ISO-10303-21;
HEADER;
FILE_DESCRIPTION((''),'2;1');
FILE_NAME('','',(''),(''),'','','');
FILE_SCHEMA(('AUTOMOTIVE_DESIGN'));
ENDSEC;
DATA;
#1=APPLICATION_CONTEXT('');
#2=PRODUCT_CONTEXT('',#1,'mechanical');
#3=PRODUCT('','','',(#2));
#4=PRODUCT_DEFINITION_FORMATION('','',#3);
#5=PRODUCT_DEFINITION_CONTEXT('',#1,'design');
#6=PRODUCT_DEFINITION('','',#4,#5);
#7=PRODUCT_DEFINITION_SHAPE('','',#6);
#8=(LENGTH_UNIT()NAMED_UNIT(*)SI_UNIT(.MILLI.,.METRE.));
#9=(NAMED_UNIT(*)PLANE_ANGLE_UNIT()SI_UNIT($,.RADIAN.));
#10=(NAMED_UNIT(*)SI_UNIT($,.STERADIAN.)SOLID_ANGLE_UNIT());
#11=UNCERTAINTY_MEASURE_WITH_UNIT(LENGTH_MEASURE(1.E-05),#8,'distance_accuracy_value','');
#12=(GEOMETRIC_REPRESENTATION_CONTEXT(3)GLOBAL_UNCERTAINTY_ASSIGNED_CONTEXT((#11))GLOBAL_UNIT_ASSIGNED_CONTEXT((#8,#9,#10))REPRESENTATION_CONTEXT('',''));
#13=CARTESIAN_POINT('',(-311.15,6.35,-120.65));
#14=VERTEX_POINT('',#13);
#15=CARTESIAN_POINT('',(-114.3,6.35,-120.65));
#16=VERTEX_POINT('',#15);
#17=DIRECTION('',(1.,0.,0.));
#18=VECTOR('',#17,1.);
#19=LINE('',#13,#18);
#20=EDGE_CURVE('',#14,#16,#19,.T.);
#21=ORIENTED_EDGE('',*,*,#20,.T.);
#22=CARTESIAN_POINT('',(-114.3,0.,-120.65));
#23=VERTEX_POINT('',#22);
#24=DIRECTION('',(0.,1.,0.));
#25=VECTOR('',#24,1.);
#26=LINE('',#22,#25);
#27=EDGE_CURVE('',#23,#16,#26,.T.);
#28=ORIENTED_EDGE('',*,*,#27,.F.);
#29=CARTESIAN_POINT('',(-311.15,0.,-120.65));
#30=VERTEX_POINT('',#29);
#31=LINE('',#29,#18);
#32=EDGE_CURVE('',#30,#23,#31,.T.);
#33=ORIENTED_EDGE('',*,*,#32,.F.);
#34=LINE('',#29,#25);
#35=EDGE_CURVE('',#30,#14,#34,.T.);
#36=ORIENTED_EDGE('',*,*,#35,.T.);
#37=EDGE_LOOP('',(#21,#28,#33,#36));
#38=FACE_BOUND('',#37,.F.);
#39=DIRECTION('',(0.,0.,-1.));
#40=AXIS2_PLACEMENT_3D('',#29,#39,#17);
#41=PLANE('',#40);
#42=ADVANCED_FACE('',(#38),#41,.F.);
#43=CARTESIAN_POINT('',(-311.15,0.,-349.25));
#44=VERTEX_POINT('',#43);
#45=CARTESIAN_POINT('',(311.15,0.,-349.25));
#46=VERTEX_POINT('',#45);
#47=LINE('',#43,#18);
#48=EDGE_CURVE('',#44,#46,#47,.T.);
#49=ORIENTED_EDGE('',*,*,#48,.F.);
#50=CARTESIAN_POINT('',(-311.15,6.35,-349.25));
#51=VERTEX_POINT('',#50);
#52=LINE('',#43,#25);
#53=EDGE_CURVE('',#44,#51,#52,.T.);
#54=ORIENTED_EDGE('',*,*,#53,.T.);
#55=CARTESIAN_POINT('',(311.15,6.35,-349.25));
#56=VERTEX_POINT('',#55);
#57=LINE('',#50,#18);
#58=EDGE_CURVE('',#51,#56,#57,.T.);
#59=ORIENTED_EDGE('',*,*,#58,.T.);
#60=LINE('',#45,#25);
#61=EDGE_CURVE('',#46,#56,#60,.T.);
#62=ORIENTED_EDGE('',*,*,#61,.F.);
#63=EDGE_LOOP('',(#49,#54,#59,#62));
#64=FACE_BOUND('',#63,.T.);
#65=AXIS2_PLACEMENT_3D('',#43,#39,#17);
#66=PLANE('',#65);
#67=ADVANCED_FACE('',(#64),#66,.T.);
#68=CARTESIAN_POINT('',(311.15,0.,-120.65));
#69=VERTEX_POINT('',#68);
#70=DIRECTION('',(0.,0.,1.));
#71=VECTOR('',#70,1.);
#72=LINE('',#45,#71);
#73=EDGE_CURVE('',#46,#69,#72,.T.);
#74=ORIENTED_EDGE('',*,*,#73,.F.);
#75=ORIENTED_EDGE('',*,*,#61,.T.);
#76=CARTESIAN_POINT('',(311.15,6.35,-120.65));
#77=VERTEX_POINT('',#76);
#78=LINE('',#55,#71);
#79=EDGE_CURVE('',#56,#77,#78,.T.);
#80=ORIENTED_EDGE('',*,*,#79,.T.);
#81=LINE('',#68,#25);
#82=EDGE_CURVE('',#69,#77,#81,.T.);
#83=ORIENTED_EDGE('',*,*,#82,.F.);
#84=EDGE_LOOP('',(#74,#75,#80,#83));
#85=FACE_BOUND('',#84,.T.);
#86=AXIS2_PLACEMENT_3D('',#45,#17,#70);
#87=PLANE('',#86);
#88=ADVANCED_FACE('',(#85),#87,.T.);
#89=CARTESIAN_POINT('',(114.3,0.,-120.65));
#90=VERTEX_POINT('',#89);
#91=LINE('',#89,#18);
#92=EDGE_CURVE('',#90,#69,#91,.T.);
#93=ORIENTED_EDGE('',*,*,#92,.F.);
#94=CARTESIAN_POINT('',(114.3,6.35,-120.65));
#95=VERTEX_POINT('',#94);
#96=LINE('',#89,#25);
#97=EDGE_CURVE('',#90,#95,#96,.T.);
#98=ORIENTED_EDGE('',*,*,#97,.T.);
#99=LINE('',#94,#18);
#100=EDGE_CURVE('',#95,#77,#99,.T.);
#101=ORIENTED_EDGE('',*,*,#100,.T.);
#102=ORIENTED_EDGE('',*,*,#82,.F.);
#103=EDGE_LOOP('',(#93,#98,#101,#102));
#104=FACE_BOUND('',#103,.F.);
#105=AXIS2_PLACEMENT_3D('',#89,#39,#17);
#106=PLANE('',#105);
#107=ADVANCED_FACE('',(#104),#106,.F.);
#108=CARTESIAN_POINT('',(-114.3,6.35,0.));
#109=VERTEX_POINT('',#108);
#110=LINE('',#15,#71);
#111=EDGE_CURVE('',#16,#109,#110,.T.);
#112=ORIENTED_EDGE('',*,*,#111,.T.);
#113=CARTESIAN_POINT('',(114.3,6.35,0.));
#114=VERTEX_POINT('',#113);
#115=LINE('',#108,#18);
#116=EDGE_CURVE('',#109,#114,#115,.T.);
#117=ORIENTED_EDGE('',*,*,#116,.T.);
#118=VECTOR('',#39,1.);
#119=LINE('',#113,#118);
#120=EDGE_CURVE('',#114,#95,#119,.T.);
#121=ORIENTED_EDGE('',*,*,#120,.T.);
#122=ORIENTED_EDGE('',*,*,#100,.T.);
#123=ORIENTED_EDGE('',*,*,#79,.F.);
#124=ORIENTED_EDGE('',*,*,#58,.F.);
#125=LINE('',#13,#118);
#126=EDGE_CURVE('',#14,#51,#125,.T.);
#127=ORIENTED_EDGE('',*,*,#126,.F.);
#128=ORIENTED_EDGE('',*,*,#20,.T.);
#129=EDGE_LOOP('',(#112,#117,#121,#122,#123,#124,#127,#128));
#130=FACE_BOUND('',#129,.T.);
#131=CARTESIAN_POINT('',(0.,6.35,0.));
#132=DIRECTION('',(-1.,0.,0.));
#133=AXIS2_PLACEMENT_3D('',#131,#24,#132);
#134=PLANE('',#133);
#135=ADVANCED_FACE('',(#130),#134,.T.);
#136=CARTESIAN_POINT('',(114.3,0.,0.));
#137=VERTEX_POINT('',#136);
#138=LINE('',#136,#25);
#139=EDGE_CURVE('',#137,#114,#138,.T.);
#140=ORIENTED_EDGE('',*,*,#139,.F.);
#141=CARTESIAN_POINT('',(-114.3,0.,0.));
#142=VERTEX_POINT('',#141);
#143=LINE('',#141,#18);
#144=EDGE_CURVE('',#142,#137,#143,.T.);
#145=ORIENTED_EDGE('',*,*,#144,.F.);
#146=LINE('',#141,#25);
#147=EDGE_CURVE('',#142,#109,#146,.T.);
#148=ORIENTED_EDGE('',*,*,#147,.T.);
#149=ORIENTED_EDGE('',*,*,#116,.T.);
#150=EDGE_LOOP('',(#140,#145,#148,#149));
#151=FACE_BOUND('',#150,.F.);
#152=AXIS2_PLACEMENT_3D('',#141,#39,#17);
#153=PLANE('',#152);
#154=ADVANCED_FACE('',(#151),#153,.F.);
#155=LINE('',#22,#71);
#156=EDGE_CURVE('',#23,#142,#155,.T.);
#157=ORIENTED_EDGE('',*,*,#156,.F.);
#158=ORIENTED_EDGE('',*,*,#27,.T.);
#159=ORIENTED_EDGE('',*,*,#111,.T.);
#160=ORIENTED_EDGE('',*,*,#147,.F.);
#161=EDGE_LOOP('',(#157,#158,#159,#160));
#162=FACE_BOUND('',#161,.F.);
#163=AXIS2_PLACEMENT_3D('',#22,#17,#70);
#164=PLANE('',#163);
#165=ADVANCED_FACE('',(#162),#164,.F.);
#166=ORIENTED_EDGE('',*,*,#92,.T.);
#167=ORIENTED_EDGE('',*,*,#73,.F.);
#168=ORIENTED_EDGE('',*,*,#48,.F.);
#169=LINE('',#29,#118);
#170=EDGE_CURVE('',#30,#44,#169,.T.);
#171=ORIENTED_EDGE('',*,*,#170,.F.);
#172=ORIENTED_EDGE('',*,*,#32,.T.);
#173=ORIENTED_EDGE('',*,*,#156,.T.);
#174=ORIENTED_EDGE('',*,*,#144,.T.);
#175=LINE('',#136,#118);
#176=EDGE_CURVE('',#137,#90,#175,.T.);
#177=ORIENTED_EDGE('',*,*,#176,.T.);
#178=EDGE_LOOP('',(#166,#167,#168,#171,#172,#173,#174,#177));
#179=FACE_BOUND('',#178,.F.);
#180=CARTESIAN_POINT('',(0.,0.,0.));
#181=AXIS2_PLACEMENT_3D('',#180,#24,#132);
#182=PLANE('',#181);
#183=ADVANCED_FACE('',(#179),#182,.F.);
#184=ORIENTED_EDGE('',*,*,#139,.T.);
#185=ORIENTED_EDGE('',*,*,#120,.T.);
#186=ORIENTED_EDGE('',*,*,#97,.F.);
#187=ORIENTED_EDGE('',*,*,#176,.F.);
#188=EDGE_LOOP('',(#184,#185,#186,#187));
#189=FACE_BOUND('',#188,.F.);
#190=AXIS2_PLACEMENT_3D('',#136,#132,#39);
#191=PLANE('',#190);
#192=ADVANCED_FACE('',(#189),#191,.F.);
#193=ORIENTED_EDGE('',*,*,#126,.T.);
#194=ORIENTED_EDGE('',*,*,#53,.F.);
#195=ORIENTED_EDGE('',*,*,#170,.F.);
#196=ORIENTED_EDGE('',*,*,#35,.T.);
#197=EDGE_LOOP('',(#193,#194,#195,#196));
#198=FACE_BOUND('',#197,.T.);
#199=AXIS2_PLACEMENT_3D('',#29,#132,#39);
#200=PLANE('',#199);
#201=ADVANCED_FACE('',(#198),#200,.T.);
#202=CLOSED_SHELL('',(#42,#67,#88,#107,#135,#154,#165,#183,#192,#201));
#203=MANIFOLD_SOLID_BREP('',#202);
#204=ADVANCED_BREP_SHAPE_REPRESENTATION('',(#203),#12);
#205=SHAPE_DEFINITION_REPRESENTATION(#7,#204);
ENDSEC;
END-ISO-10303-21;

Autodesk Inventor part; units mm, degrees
ref_plane "YZ Plane" through (0, 0, 0) normal (1, 0, 0) x (0, 1, 0)
ref_plane "XZ Plane" through (0, 0, 0) normal (0, 1, 0) x (-1, 0, 0)
ref_plane "XY Plane" through (0, 0, 0) normal (0, 0, 1) x (1, 0, 0)
sketch "Sketch1" plane through (0, 0, 0) normal (0, 1, 0) x (-1, 0, 0)
  line L0 (311.15, -349.25) -> (-311.15, -349.25)
  line L1 (-311.15, -349.25) -> (-311.15, -120.65)
  line L2 (311.15, -120.65) -> (311.15, -349.25)
  line L3 (311.15, -120.65) -> (114.3, -120.65)
  line L4 (114.3, -120.65) -> (114.3, 0)
  line L5 (114.3, 0) -> (-114.3, 0)
  line L6 (-114.3, 0) -> (-114.3, -120.65)
  line L7 (-114.3, -120.65) -> (-311.15, -120.65)
  point P0 (0, 0)
  point P1 (0, 0)
  point P2 (0, 0)
  dimension "d0" = 228.6
  dimension "d1" = 622.3
  dimension "d2" = 228.6
  dimension "d3" = 349.25
extrude "Extrusion1" add sketch "Sketch1" along normal blind 6.35
properties part number "Electronics Plate"
